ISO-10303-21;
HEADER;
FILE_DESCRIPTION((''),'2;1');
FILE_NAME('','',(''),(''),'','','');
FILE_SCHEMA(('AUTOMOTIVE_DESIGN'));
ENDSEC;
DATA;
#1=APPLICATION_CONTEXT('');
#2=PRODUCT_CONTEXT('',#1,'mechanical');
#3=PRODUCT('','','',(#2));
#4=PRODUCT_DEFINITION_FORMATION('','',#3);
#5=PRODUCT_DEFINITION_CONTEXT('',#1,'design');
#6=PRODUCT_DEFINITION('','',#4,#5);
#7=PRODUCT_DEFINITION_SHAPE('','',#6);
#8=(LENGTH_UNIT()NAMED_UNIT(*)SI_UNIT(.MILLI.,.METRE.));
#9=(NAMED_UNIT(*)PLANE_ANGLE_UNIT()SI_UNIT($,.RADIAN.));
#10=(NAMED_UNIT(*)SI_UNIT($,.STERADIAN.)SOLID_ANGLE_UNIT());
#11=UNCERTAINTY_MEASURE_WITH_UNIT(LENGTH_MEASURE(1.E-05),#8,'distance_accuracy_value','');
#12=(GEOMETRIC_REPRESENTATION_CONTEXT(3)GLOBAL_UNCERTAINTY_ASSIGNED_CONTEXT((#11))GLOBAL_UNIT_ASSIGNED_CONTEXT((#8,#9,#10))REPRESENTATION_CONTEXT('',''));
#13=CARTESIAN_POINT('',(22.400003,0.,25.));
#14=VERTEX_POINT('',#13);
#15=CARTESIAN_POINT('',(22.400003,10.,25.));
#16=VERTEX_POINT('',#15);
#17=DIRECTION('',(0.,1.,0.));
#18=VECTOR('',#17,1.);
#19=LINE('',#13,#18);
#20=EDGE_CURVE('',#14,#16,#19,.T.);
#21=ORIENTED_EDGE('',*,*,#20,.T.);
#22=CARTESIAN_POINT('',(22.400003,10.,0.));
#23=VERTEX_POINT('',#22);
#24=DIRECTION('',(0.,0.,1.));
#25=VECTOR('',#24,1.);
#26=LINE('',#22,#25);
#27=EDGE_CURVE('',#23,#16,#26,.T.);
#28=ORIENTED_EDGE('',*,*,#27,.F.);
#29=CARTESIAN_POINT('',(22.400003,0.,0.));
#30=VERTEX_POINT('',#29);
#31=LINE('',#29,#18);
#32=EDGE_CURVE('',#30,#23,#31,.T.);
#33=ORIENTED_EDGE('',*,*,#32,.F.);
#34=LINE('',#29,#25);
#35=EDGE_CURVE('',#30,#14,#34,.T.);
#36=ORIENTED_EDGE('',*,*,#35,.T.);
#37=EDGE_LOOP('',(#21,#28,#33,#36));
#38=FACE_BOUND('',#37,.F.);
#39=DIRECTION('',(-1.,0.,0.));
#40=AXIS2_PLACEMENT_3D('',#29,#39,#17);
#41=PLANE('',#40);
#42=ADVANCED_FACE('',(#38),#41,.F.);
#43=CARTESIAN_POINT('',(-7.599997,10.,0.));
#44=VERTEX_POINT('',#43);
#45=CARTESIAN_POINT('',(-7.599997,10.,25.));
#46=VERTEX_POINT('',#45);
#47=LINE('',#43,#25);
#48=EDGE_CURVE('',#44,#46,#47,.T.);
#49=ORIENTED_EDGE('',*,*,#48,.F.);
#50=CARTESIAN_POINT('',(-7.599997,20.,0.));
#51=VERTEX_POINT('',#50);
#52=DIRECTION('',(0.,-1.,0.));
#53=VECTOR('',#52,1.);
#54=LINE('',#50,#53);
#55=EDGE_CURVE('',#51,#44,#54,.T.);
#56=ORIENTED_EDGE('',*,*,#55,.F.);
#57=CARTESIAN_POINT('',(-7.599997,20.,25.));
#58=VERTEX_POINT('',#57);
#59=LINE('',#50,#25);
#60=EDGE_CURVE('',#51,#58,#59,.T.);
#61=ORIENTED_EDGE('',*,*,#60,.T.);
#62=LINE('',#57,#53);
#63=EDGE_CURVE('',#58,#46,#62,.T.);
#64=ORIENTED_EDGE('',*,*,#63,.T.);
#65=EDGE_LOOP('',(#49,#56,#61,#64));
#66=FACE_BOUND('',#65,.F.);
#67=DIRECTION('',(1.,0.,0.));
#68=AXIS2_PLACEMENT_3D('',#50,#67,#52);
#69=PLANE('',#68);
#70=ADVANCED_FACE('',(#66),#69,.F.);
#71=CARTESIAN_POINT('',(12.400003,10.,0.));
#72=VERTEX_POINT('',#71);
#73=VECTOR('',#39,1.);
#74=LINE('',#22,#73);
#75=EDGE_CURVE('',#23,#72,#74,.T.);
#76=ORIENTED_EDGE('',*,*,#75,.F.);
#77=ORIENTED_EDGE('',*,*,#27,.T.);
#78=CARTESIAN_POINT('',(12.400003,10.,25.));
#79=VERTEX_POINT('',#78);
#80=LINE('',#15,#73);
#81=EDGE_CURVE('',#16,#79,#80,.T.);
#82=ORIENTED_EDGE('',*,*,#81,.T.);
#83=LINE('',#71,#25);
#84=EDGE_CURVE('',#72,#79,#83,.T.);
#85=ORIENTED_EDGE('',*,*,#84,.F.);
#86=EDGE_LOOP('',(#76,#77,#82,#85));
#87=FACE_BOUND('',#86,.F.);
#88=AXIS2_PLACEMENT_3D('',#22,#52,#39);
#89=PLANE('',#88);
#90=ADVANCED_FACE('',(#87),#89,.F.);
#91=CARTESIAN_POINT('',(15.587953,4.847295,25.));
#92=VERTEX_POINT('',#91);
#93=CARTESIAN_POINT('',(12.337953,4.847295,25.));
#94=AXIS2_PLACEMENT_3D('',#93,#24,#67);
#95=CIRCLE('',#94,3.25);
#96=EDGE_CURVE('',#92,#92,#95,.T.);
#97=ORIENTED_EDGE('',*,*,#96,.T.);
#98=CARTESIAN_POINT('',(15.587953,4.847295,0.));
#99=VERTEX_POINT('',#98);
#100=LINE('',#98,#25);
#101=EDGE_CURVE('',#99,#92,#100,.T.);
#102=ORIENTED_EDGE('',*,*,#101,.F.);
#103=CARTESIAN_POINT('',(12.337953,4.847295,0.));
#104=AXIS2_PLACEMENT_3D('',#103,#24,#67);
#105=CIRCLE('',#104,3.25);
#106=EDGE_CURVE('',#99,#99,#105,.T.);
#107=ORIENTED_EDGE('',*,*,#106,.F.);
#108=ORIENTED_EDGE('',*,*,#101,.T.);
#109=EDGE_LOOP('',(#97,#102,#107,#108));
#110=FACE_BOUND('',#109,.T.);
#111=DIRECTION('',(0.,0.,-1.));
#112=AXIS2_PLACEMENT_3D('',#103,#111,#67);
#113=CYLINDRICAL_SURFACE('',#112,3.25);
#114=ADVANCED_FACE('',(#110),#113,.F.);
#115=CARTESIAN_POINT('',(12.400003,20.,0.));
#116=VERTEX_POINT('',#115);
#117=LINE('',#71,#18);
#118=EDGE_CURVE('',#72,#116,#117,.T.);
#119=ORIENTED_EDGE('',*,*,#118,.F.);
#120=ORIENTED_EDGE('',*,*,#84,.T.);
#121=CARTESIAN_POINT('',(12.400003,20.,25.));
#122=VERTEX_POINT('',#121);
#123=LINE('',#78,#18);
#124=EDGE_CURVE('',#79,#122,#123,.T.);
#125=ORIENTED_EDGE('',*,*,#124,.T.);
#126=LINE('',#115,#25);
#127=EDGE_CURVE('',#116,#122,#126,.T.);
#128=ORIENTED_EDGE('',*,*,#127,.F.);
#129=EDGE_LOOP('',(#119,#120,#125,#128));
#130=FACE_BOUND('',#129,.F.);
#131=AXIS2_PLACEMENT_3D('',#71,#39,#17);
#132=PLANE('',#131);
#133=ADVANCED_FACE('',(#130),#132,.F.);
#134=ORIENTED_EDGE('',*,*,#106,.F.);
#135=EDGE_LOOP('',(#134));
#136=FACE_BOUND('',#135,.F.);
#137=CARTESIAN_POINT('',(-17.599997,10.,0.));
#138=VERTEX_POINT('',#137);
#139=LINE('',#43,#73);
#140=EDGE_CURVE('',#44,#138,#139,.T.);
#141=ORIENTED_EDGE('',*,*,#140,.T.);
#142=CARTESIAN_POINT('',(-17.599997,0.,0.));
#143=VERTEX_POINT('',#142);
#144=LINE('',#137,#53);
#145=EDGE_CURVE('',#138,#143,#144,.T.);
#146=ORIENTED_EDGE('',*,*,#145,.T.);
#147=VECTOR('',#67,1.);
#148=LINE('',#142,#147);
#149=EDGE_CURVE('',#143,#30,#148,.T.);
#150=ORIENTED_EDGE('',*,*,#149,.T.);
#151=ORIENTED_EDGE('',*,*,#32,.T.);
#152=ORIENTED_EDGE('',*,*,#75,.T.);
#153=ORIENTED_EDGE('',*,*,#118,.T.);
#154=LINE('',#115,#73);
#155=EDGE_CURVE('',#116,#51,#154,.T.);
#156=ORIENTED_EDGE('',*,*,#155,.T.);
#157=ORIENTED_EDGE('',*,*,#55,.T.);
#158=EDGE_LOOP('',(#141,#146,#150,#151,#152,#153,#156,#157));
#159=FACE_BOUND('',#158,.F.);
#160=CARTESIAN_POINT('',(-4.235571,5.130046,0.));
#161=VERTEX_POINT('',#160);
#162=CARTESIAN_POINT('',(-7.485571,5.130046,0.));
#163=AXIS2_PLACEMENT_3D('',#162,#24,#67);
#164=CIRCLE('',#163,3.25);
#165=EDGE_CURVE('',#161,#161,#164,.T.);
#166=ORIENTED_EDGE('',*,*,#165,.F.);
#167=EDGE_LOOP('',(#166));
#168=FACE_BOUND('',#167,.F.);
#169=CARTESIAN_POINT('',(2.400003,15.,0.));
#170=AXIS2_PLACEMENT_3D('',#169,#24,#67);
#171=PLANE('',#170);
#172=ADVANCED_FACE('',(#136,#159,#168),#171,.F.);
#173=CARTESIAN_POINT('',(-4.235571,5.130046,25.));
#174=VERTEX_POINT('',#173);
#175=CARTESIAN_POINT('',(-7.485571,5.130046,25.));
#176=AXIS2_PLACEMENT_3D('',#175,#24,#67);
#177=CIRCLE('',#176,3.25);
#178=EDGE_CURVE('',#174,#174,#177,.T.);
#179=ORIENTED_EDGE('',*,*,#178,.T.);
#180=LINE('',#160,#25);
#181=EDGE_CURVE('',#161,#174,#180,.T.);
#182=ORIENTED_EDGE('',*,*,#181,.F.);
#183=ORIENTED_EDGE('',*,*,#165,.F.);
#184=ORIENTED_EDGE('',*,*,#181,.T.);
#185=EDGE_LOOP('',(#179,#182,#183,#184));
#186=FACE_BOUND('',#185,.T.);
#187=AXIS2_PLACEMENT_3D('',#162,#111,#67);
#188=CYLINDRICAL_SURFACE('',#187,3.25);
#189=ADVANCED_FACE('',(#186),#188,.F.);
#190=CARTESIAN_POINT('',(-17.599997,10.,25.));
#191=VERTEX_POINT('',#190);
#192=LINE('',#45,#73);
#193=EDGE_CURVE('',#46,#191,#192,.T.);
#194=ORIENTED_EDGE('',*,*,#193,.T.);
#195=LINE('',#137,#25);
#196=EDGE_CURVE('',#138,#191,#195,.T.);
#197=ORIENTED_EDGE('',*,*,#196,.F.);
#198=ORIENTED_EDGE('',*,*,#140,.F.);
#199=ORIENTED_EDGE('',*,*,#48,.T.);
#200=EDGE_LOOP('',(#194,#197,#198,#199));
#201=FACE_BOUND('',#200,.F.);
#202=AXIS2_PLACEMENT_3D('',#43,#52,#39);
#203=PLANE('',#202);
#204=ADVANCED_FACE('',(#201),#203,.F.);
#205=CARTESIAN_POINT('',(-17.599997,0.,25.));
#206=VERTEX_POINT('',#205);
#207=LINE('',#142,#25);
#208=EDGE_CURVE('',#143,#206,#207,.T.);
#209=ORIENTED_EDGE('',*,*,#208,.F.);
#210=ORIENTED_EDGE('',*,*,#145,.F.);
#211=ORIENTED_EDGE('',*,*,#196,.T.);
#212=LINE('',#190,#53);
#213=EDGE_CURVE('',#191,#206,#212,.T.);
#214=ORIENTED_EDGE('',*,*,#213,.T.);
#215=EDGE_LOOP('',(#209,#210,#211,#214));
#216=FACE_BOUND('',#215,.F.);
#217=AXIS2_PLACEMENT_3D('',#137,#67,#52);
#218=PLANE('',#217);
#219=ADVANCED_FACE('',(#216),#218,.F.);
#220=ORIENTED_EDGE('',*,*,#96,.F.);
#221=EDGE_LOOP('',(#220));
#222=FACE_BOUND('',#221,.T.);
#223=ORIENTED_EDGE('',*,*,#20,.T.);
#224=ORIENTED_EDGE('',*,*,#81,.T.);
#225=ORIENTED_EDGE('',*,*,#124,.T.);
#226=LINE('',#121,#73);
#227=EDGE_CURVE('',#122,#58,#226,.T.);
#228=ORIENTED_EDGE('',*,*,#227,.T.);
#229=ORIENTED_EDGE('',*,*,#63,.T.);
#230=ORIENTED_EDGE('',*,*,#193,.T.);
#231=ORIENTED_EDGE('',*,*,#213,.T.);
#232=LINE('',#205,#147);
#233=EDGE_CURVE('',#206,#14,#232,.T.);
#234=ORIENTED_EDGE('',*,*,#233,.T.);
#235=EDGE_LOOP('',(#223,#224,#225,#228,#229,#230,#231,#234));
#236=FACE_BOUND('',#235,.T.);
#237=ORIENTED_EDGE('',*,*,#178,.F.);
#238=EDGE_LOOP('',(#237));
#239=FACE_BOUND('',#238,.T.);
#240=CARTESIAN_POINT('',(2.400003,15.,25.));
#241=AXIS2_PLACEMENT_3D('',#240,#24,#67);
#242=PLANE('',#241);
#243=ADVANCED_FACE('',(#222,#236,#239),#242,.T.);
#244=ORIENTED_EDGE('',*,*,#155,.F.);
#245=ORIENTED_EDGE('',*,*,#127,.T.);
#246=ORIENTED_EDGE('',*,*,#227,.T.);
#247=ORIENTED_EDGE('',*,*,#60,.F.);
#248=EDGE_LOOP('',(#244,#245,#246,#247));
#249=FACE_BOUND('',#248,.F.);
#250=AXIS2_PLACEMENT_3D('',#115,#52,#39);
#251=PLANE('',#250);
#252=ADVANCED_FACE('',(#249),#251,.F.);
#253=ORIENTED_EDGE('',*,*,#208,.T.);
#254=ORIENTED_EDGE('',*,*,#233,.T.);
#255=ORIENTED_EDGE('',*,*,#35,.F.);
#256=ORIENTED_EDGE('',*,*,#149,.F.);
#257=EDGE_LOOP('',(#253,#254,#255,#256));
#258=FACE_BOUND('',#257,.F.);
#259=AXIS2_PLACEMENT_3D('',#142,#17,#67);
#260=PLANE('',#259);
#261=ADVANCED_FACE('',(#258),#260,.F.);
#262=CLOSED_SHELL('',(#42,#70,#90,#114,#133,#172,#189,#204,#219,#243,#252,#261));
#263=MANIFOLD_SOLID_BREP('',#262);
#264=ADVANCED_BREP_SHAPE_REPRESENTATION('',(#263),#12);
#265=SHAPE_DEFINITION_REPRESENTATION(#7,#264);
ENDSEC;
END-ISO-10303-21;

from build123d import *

# Parameters (mm, degrees)
F0_R     = 3.25
F1_DEPTH = 25


with BuildPart() as f1:
    # F0 (on Top) → F1 (new body)
    with BuildSketch(Plane.XY):
        Polygon((12.400003, 20), (-7.599997, 20), (-7.599997, 10), (2.400003, 10), (12.400003, 10), align=None)
        Polygon((22.400003, 10), (12.400003, 10), (2.400003, 10), (2.400003, 0), (22.400003, 0), align=None)
        with Locations((12.337953, 4.847295)):
            Circle(F0_R, mode=Mode.SUBTRACT)
        Polygon((2.400003, 10), (-7.599997, 10), (-17.599997, 10), (-17.599997, 0), (2.400003, 0), align=None)
        with Locations((-7.485571, 5.130046)):
            Circle(F0_R, mode=Mode.SUBTRACT)
    extrude(amount=F1_DEPTH)


solid = f1.part
